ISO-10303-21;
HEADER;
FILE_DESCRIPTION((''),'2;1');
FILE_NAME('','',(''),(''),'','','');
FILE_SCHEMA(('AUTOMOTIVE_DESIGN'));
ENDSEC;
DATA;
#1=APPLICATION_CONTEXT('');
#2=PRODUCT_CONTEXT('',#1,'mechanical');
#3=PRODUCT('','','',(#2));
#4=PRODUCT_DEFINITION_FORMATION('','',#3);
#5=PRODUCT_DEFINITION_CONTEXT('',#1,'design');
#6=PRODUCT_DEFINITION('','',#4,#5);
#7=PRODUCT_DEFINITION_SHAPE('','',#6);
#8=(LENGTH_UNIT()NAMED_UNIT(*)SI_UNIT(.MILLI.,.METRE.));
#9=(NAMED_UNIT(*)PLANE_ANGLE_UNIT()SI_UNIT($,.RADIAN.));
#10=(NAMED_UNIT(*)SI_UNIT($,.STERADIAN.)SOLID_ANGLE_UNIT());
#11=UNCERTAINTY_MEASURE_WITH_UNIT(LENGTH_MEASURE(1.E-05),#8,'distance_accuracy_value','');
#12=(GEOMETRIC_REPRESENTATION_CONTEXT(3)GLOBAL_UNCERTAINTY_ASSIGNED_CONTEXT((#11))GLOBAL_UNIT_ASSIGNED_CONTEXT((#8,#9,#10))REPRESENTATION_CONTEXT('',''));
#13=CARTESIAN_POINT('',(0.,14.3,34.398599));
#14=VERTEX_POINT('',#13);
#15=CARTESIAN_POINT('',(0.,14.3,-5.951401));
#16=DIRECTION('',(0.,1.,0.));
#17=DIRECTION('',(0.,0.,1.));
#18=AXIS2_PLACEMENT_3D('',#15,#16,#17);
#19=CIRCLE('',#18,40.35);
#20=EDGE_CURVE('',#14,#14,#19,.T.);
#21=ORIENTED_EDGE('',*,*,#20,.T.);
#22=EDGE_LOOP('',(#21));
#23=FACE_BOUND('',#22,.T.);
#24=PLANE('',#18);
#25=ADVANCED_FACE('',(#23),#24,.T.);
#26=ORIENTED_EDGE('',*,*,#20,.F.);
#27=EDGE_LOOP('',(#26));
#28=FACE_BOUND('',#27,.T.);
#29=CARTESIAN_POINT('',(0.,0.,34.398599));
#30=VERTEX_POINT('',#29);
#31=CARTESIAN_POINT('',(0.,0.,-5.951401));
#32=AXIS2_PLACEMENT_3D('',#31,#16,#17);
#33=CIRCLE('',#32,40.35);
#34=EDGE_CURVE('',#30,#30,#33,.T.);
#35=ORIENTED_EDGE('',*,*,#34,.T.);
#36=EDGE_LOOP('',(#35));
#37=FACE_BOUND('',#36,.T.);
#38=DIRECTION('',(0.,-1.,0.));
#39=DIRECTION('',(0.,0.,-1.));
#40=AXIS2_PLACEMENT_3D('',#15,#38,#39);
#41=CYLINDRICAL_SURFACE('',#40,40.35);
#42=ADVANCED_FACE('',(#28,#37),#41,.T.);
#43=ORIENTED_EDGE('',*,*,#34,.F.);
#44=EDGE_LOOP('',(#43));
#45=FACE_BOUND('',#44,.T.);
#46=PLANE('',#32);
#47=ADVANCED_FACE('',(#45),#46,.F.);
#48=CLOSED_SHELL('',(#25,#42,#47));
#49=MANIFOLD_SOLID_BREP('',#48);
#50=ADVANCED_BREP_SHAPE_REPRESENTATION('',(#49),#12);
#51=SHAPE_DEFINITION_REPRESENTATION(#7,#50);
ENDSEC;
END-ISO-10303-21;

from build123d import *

# Parameters (mm, degrees)
SKETCH1_R           = 40.35
BOSS_EXTRUDE1_DEPTH = 14.3


with BuildPart() as part:
    # Sketch1 → Boss-Extrude1 (new body)
    with BuildSketch(Plane(origin=(0, 0, 0), x_dir=(1, 0, 0), z_dir=(0, 1, 0))):
        with Locations((0, 5.951400749)):
            Circle(SKETCH1_R)
    extrude(amount=BOSS_EXTRUDE1_DEPTH)


solid = part.part
